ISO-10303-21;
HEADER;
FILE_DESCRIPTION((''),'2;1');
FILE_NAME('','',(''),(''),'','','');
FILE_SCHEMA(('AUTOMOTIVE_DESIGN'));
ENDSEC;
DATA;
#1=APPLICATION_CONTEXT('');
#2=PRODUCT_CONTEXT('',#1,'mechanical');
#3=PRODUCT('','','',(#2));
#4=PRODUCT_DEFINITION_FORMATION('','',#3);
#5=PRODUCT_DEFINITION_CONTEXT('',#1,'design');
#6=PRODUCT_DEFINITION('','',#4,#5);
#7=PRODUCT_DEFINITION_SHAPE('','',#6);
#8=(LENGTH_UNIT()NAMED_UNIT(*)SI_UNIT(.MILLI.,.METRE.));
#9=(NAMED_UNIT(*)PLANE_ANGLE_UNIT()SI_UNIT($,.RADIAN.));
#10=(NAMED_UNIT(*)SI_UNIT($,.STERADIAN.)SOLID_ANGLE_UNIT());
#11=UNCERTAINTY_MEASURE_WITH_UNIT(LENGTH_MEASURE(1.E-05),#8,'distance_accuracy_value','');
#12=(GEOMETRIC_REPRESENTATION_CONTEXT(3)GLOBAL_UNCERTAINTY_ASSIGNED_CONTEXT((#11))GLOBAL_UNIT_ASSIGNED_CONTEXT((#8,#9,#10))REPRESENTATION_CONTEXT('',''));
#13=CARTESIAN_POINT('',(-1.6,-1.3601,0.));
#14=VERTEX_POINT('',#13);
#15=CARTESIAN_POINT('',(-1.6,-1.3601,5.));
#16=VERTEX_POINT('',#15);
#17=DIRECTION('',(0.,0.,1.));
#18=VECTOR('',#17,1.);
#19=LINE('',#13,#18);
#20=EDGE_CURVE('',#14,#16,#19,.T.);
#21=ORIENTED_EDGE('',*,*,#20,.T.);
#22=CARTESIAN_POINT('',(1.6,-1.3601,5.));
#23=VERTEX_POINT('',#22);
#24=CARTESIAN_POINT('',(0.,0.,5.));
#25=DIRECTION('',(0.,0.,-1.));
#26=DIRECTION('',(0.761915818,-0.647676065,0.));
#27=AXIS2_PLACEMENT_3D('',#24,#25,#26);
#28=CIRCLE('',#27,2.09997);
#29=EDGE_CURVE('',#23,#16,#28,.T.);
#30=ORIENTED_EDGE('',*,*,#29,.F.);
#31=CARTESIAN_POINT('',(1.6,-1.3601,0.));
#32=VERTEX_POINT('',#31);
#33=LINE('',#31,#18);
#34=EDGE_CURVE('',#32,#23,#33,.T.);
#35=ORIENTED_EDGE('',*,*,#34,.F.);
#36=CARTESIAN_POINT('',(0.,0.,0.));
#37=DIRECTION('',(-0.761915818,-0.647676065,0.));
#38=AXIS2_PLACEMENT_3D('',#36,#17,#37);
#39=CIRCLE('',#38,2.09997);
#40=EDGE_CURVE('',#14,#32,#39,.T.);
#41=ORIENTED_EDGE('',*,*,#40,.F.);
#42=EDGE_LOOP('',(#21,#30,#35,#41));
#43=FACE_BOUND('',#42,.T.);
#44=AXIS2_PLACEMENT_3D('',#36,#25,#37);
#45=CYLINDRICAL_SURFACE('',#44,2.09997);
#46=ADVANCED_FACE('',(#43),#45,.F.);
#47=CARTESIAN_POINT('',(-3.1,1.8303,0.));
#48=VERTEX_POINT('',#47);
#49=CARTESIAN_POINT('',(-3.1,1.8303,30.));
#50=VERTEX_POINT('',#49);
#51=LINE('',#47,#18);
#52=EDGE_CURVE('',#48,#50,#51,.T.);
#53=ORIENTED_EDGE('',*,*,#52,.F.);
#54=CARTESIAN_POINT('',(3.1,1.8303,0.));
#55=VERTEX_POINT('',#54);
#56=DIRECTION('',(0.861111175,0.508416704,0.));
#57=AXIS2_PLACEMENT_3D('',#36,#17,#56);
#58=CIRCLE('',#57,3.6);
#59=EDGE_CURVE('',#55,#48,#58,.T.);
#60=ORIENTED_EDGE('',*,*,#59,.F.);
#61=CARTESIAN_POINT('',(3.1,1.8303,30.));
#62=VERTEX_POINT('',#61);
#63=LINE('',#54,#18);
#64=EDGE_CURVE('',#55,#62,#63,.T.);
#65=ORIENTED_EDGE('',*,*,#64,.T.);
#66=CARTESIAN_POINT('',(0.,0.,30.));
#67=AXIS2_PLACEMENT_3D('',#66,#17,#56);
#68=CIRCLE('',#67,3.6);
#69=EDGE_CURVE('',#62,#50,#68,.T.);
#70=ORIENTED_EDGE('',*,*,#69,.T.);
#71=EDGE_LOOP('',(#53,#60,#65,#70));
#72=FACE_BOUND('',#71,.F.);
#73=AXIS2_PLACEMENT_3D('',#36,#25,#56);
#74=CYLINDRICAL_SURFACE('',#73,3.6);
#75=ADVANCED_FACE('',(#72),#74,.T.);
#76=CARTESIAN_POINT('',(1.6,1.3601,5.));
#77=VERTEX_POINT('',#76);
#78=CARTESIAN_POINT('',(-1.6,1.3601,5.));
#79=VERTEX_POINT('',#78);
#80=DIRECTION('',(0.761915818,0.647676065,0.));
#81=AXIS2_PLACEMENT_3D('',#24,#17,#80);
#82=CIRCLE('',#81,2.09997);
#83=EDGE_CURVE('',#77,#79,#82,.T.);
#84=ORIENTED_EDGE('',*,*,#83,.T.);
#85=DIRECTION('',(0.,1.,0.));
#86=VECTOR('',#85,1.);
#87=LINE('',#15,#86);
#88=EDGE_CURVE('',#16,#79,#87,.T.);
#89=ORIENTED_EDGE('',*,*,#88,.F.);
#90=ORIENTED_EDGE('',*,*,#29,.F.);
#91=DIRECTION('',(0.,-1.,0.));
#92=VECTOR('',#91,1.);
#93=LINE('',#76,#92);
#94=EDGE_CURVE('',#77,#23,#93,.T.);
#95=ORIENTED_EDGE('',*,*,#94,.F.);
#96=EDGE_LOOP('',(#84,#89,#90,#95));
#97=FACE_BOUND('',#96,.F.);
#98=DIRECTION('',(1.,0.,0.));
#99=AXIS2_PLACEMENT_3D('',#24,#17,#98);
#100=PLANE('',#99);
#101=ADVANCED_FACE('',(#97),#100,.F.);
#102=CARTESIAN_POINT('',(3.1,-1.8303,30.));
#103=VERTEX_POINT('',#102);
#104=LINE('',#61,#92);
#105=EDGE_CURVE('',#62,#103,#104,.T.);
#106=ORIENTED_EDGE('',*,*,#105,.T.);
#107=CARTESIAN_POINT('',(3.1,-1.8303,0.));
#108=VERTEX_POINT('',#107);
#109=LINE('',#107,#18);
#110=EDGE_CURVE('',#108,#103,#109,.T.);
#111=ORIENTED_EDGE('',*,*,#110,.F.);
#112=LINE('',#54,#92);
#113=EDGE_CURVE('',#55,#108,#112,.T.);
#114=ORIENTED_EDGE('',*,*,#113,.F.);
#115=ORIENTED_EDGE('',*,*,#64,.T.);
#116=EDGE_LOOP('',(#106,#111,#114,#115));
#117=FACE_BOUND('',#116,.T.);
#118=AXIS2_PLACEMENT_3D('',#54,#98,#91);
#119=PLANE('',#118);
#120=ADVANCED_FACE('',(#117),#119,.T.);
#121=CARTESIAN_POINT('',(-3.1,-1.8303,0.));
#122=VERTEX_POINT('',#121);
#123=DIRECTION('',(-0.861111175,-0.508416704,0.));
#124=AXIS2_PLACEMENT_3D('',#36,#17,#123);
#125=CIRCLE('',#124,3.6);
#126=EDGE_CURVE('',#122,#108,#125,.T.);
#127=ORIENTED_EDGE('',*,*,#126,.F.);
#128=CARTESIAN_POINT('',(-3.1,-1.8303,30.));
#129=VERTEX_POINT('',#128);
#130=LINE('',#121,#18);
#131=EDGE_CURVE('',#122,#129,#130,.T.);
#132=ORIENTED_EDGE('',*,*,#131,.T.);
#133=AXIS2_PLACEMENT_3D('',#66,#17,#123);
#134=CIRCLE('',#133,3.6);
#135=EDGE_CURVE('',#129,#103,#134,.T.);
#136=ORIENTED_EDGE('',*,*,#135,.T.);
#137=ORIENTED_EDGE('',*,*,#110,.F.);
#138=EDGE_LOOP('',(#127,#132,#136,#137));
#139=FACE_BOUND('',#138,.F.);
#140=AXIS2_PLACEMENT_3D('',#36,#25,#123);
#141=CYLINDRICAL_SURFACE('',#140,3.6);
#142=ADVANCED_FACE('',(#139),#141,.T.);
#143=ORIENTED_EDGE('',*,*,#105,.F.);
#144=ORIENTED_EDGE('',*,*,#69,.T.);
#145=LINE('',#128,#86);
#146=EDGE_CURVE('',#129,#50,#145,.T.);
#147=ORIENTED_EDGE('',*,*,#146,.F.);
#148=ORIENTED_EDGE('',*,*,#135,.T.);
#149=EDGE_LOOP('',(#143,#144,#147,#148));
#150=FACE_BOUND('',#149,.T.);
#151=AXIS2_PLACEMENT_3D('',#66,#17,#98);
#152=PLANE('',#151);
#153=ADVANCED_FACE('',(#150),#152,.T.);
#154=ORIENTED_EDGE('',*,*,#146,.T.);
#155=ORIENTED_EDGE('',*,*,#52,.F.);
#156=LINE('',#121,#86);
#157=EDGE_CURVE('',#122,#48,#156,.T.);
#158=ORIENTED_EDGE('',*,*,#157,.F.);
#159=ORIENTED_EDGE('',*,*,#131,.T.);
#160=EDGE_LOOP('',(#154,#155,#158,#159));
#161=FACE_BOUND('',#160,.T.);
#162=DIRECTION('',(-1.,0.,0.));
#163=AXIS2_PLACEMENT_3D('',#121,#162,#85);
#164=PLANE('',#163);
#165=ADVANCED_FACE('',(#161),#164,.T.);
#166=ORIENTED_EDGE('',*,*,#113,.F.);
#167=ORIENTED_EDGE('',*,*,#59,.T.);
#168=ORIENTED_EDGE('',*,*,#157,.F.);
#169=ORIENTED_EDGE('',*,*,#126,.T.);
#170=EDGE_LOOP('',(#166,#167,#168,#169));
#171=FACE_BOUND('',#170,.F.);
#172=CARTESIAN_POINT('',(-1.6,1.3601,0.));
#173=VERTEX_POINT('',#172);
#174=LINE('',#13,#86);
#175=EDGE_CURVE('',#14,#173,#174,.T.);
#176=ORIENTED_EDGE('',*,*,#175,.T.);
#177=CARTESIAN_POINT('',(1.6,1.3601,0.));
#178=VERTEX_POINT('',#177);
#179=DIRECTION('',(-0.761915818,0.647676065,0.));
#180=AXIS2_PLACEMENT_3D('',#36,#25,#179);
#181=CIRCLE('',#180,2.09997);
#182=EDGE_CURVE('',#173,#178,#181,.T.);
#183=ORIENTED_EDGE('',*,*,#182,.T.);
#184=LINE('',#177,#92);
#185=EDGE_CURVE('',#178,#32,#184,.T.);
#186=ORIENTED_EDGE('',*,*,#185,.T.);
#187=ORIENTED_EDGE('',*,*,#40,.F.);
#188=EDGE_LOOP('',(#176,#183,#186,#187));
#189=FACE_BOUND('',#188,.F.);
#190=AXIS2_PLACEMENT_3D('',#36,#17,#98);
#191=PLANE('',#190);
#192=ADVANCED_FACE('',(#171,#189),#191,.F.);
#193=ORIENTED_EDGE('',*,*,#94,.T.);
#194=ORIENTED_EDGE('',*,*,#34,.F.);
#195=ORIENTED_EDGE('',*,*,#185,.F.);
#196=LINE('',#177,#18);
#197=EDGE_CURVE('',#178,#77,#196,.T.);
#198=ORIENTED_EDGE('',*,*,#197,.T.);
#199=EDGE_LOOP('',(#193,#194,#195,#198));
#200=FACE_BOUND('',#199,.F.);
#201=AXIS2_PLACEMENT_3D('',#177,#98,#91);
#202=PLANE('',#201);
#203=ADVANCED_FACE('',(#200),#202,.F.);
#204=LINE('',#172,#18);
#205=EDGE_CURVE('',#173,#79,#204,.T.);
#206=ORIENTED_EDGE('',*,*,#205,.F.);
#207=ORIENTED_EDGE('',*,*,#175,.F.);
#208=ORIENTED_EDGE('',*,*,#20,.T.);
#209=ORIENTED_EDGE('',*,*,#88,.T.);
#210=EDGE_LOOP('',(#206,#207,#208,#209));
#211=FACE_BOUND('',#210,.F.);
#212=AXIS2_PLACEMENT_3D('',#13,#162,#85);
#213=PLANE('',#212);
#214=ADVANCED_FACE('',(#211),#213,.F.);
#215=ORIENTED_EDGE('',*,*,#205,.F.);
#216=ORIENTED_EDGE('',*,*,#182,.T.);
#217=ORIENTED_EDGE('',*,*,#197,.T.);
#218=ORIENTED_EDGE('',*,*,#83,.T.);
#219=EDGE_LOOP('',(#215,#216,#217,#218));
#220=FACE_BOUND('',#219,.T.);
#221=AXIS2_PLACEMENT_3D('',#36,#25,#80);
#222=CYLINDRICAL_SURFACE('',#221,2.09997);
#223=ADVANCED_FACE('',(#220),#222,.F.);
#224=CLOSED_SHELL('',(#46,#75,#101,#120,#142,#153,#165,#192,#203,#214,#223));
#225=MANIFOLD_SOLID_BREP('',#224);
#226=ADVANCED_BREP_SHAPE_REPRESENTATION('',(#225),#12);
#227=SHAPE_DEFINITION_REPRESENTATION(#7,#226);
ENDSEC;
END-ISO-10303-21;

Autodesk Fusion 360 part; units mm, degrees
sketch "Sketch1" plane through (0, 0, 0) normal (0, 0, 1) x (1, 0, 0)
  line L0 (1.3229, -1.5) -> (-1.3229, -1.5)
  line L1 (-1.5, -1.3229) -> (-1.5, 1.3229)
  line L2 (-1.3229, 1.5) -> (1.3229, 1.5)
  line L3 (1.5, 1.3229) -> (1.5, -1.3229)
  line L4 (1.5, -1.5) -> (-1.5, 1.5) construction
  line L5 (-1.5, -1.5) -> (1.5, 1.5) construction
  arc A0 (-1.5, -1.3229) -> (1.5, -1.3229) centre (0, 0) ccw
  arc A1 (1.5, 1.3229) -> (-1.5, 1.3229) centre (0, 0) ccw
  line L6 (-3, -1.8028) -> (-3, 1.8028)
  arc A2 (3, 1.8028) -> (-3, 1.8028) centre (0, 0) ccw
  line L7 (3, 1.8028) -> (3, -1.8028)
  arc A3 (-3, -1.8028) -> (3, -1.8028) centre (0, 0) ccw
  dimension "d1" = 4
  dimension "d2" = 3
  dimension "d3" = 3
  dimension "d4" = 1.5
extrude "Extrude1" add sketch "Sketch1" along normal blind 30 contours L0 A0 | L0 L1 L2 L3 A0 A1 | L2 A1 | L6 A2 L7 A3 makes body 1
extrude "Extrude2" cut sketch "Sketch1" along normal blind 5 contours L0 A0 | L0 L1 L2 L3 A0 A1 | L2 A1 bodies 1
sketch "Sketch2" plane through (0, 0, 0) normal (0, 0, 1) x (1, 0, 0)
  line L0 (1.3601, -1.6) -> (-1.3601, -1.6)
  line L1 (-1.6, -1.3601) -> (-1.6, 1.3601)
  line L2 (-1.3601, 1.6) -> (1.3601, 1.6)
  line L3 (1.6, 1.3601) -> (1.6, -1.3601)
  line L4 (1.6, -1.6) -> (-1.6, 1.6) construction
  line L5 (-1.6, -1.6) -> (1.6, 1.6) construction
  arc A0 (-1.6, -1.3601) -> (1.6, -1.3601) centre (0, 0) ccw
  arc A1 (1.6, 1.3601) -> (-1.6, 1.3601) centre (0, 0) ccw
  line L6 (-3.1, -1.8303) -> (-3.1, 1.8303)
  arc A2 (3.1, 1.8303) -> (-3.1, 1.8303) centre (0, 0) ccw
  line L7 (3.1, 1.8303) -> (3.1, -1.8303)
  arc A3 (-3.1, -1.8303) -> (3.1, -1.8303) centre (0, 0) ccw
  dimension "d9" = 4.2
  dimension "d10" = 3.2
  dimension "d11" = 3.2
  dimension "d12" = 1.5
extrude "Extrude3" add sketch "Sketch2" along normal blind 30 separate body contours L0 A0 | L0 L1 L2 L3 A0 A1 | L2 A1 | L6 A2 L7 A3 makes body 2
extrude "Extrude4" cut sketch "Sketch2" along normal blind 5 contours L0 A0 | L0 L1 L2 L3 A0 A1 | L2 A1 bodies 2
hidden bodies 1
